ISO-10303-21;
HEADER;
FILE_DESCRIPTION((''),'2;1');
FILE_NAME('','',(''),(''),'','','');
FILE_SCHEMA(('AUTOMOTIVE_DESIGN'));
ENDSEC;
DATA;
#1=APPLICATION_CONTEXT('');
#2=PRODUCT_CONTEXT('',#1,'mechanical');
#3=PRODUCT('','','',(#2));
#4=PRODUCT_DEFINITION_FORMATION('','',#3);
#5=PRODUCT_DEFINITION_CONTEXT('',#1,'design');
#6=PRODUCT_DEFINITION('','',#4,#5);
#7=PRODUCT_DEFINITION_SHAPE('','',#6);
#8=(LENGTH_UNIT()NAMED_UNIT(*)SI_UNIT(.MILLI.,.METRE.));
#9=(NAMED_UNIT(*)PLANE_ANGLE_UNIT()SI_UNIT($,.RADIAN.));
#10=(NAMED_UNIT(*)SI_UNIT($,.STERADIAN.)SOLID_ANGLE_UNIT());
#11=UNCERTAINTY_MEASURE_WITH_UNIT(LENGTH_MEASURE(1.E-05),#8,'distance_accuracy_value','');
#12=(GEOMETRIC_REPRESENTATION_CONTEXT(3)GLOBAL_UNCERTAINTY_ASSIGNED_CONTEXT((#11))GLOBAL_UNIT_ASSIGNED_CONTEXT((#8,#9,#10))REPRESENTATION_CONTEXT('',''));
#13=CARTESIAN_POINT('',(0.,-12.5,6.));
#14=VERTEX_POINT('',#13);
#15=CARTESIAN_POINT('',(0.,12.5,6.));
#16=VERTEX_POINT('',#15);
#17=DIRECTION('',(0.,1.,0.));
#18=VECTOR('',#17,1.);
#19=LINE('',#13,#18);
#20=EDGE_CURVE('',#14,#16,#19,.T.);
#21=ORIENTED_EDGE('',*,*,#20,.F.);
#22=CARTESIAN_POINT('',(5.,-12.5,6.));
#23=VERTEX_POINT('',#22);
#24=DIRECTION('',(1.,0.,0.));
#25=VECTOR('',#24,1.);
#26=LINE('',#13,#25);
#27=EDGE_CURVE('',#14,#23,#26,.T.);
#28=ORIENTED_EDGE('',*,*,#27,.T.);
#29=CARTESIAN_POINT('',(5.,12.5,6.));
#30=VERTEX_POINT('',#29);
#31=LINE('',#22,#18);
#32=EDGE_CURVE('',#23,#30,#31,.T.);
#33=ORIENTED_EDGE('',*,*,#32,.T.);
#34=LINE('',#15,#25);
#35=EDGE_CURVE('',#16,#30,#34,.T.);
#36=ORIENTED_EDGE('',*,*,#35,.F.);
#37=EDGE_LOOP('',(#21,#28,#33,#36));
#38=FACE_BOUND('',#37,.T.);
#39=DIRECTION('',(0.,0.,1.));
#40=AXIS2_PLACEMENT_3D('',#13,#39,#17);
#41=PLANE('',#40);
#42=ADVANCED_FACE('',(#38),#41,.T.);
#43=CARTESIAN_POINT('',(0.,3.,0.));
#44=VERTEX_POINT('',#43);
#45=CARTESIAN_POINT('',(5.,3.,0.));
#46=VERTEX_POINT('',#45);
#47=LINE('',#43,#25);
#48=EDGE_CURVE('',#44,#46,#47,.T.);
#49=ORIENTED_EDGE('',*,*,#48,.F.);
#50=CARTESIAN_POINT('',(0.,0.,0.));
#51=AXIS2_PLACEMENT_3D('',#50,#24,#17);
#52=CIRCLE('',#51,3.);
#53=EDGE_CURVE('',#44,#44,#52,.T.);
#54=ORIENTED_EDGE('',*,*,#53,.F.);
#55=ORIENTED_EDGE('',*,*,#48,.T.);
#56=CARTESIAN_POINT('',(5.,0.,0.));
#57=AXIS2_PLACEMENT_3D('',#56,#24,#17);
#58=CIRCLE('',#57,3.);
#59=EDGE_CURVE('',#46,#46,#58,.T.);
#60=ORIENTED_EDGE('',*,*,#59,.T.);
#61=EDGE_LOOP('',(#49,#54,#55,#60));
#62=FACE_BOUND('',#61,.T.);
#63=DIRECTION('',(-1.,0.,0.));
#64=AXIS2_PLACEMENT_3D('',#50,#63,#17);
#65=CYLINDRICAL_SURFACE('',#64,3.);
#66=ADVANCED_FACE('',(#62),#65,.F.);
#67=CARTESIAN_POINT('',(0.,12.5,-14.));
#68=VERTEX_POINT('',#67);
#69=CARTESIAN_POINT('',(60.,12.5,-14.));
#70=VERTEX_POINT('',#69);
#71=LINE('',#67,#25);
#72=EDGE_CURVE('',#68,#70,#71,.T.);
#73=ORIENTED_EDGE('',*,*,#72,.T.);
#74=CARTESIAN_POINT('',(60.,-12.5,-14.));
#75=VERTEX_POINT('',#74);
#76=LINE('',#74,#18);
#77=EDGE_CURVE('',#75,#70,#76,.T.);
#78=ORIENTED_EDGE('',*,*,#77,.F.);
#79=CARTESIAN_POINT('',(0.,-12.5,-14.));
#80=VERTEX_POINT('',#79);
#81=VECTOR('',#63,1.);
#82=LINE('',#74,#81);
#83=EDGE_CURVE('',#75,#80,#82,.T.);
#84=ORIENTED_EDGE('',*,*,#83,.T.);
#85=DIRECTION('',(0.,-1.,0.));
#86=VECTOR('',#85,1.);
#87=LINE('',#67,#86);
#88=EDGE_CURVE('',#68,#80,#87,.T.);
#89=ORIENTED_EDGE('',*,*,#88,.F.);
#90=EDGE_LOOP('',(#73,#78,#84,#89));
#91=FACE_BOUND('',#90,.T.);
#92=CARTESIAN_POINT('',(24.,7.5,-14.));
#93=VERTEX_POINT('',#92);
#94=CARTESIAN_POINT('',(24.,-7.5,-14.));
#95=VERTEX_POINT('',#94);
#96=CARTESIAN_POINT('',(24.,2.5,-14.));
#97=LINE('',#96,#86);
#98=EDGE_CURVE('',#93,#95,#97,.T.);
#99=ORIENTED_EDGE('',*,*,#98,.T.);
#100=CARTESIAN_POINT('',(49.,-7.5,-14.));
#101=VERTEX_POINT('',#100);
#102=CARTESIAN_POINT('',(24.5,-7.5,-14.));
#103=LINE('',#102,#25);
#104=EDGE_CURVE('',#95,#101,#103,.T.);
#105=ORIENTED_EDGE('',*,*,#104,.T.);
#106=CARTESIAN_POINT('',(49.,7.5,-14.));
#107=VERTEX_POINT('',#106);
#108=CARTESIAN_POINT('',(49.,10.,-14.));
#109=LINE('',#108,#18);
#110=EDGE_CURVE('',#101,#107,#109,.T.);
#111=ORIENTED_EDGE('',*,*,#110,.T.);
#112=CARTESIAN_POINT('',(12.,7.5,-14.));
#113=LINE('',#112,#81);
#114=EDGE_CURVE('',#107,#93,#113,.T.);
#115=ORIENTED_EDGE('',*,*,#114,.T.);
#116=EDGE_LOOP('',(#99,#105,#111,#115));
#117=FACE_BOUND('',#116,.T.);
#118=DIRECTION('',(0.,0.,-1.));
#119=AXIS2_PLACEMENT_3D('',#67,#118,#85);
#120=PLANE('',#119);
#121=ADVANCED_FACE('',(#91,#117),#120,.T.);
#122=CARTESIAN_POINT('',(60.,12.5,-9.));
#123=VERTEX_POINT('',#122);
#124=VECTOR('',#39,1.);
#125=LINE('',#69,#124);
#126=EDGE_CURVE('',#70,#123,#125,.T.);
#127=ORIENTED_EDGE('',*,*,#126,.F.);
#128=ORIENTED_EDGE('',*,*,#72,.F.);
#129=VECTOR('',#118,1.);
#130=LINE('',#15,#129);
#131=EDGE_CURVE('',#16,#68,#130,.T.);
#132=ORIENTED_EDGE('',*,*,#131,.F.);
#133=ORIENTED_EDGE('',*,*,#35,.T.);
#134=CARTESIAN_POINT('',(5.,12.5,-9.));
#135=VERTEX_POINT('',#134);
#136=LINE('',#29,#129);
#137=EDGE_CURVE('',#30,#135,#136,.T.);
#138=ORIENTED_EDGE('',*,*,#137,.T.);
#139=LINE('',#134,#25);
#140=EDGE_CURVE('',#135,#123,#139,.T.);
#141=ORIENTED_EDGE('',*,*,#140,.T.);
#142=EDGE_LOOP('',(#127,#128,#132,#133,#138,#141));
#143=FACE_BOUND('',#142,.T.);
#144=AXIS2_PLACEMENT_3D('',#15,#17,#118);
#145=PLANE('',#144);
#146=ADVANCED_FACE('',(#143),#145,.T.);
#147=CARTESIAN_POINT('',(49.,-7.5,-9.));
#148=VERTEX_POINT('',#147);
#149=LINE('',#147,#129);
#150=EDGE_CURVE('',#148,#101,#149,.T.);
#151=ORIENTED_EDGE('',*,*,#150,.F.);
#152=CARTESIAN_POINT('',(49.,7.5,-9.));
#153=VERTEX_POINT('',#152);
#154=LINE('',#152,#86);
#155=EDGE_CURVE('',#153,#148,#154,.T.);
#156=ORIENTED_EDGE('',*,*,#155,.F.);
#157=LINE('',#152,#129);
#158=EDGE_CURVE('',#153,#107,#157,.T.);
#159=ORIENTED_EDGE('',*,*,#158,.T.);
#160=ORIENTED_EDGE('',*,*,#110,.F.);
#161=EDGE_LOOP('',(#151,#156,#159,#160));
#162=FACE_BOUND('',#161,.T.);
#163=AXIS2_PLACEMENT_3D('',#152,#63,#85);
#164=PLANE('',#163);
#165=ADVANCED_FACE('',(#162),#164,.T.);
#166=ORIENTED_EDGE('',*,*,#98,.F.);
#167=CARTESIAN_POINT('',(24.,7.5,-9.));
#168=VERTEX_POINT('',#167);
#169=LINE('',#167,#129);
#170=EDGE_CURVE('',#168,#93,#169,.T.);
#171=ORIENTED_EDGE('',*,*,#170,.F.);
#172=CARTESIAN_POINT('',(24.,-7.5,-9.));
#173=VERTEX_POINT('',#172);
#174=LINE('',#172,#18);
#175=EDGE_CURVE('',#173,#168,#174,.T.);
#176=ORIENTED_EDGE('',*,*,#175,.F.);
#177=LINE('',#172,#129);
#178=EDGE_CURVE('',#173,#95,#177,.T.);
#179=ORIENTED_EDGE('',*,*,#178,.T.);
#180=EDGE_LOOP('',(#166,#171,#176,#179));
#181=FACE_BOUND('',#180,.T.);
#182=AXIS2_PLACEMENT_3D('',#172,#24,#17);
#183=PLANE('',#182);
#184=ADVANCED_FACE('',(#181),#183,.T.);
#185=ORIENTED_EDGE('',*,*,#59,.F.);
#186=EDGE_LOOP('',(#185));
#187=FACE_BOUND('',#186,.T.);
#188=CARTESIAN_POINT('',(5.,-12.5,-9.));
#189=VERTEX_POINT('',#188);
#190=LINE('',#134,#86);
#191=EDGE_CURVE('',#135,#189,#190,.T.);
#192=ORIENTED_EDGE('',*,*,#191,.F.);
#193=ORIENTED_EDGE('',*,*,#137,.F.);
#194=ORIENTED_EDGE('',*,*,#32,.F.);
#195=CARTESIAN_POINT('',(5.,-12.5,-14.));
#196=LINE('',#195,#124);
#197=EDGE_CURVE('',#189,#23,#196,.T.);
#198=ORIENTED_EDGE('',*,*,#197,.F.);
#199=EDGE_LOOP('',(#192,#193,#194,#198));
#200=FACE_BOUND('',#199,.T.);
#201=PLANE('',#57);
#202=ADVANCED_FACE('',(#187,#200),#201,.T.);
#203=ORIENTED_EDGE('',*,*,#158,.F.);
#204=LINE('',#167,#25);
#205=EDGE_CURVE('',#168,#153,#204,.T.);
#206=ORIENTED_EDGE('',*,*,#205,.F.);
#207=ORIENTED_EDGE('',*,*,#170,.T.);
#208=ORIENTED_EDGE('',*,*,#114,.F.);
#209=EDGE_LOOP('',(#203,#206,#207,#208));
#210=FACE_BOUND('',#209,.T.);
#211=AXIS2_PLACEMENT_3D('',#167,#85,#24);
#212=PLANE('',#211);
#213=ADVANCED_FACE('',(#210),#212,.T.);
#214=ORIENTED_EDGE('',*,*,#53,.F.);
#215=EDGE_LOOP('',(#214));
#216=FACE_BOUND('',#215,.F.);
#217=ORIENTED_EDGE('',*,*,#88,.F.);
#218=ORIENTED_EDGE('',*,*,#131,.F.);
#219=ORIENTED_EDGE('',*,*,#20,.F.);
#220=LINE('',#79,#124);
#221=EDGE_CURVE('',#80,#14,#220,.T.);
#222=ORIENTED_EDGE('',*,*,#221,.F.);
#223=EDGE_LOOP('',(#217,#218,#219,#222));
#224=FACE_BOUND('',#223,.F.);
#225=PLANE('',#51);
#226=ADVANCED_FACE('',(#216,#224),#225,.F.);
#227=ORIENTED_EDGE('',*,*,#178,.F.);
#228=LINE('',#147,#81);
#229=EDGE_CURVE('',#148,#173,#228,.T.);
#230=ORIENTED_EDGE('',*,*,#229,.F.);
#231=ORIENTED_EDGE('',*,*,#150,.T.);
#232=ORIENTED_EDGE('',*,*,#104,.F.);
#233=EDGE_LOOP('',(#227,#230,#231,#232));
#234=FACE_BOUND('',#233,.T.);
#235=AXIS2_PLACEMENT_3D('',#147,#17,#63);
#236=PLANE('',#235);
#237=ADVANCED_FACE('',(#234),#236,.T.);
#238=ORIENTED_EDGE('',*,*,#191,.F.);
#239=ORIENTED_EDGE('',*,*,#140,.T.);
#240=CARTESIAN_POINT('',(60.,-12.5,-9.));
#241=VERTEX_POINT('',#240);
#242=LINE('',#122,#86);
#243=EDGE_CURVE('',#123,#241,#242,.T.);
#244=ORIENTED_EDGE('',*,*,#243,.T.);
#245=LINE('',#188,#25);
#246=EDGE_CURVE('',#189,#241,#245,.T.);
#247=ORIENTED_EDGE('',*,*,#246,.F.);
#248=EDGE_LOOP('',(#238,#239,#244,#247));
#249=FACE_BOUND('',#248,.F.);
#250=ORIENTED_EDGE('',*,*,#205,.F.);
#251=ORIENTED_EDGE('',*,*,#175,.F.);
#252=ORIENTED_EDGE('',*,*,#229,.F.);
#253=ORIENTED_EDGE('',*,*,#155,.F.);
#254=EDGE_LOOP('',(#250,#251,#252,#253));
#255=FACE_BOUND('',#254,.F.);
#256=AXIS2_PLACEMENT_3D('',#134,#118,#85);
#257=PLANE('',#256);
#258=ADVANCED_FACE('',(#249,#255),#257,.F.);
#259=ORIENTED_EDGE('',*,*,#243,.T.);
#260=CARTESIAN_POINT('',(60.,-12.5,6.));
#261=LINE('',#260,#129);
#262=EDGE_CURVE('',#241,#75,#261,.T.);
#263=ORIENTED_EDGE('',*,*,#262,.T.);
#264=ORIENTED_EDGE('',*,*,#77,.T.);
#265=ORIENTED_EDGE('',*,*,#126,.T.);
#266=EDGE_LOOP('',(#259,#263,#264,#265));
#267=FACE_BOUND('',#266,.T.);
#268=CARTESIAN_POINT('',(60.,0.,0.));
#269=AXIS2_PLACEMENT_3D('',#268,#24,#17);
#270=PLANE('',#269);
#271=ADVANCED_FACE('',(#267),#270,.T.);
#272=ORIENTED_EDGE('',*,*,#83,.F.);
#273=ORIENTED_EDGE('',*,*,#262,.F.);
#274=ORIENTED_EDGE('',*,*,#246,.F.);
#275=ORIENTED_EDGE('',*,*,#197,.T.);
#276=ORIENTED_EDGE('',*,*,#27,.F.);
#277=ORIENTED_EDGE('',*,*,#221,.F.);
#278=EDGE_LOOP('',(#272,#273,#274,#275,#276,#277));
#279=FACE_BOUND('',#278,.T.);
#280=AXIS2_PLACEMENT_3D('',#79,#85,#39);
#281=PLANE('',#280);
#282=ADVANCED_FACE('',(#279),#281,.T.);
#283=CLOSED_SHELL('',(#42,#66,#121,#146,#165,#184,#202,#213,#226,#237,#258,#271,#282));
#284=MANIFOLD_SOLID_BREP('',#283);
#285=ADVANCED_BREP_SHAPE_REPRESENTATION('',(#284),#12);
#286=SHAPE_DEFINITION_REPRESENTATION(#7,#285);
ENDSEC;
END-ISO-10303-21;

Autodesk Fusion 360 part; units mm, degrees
sketch "Sketch1" plane through (0, 0, 0) normal (1, 0, 0) x (0, 1, 0)
  line L0 (12.5, -14) -> (-12.5, -14)
  line L1 (-12.5, -14) -> (-12.5, 6)
  line L2 (-12.5, 6) -> (12.5, 6)
  line L3 (12.5, 6) -> (12.5, -14)
  circle A0 centre (0, 0) radius 3
  dimension "d1" = 25
  dimension "d2" = 20
  dimension "d3" = 6
  dimension "d14" = 6
extrude "Extrude1" add sketch "Sketch1" along normal blind 5
sketch "Sketch2" plane through (5, 0, 0) normal (1, 0, 0) x (0, 1, 0)
  circle A0 centre (0, 0) radius 3
  line L0 (12.5, 6) -> (-12.5, 6)
  line L1 (-12.5, 6) -> (-12.5, -14)
  line L2 (-12.5, -14) -> (12.5, -14)
  line L3 (12.5, -14) -> (12.5, 6)
  line L4 (-12.5, -14) -> (12.5, -14)
  line L5 (12.5, -14) -> (12.5, -9)
  line L6 (12.5, -9) -> (-12.5, -9)
  line L7 (-12.5, -9) -> (-12.5, -14)
  dimension "d6" = 5
extrude "Extrude2" add sketch "Sketch2" along normal blind 55 contours L1 L2 L3 L4 L5 L6 L7
sketch "Sketch3" plane through (0, 0, -9) normal (0, 0, 1) x (-1, 0, 0)
  line L0 (-5, -12.5) -> (-5, 12.5)
  line L1 (-5, 12.5) -> (-60, 12.5)
  line L2 (-60, 12.5) -> (-60, -12.5)
  line L3 (-60, -12.5) -> (-5, -12.5)
  line L4 (-49, 7.5) -> (-24, 7.5)
  line L5 (-24, 7.5) -> (-24, -7.5)
  line L6 (-24, -7.5) -> (-49, -7.5)
  line L7 (-49, -7.5) -> (-49, 7.5)
  line L8 (-49, 7.5) -> (-24, -7.5) construction
  line L9 (-24, 7.5) -> (-49, -7.5) construction
  point P0 (-36.5, 0)
  dimension "d9" = 25
  dimension "d10" = 15
  dimension "d13" = 5
  dimension "d15" = 11
extrude "Extrude3" cut sketch "Sketch3" against normal blind 10 contours L4 L5 L6 L7
